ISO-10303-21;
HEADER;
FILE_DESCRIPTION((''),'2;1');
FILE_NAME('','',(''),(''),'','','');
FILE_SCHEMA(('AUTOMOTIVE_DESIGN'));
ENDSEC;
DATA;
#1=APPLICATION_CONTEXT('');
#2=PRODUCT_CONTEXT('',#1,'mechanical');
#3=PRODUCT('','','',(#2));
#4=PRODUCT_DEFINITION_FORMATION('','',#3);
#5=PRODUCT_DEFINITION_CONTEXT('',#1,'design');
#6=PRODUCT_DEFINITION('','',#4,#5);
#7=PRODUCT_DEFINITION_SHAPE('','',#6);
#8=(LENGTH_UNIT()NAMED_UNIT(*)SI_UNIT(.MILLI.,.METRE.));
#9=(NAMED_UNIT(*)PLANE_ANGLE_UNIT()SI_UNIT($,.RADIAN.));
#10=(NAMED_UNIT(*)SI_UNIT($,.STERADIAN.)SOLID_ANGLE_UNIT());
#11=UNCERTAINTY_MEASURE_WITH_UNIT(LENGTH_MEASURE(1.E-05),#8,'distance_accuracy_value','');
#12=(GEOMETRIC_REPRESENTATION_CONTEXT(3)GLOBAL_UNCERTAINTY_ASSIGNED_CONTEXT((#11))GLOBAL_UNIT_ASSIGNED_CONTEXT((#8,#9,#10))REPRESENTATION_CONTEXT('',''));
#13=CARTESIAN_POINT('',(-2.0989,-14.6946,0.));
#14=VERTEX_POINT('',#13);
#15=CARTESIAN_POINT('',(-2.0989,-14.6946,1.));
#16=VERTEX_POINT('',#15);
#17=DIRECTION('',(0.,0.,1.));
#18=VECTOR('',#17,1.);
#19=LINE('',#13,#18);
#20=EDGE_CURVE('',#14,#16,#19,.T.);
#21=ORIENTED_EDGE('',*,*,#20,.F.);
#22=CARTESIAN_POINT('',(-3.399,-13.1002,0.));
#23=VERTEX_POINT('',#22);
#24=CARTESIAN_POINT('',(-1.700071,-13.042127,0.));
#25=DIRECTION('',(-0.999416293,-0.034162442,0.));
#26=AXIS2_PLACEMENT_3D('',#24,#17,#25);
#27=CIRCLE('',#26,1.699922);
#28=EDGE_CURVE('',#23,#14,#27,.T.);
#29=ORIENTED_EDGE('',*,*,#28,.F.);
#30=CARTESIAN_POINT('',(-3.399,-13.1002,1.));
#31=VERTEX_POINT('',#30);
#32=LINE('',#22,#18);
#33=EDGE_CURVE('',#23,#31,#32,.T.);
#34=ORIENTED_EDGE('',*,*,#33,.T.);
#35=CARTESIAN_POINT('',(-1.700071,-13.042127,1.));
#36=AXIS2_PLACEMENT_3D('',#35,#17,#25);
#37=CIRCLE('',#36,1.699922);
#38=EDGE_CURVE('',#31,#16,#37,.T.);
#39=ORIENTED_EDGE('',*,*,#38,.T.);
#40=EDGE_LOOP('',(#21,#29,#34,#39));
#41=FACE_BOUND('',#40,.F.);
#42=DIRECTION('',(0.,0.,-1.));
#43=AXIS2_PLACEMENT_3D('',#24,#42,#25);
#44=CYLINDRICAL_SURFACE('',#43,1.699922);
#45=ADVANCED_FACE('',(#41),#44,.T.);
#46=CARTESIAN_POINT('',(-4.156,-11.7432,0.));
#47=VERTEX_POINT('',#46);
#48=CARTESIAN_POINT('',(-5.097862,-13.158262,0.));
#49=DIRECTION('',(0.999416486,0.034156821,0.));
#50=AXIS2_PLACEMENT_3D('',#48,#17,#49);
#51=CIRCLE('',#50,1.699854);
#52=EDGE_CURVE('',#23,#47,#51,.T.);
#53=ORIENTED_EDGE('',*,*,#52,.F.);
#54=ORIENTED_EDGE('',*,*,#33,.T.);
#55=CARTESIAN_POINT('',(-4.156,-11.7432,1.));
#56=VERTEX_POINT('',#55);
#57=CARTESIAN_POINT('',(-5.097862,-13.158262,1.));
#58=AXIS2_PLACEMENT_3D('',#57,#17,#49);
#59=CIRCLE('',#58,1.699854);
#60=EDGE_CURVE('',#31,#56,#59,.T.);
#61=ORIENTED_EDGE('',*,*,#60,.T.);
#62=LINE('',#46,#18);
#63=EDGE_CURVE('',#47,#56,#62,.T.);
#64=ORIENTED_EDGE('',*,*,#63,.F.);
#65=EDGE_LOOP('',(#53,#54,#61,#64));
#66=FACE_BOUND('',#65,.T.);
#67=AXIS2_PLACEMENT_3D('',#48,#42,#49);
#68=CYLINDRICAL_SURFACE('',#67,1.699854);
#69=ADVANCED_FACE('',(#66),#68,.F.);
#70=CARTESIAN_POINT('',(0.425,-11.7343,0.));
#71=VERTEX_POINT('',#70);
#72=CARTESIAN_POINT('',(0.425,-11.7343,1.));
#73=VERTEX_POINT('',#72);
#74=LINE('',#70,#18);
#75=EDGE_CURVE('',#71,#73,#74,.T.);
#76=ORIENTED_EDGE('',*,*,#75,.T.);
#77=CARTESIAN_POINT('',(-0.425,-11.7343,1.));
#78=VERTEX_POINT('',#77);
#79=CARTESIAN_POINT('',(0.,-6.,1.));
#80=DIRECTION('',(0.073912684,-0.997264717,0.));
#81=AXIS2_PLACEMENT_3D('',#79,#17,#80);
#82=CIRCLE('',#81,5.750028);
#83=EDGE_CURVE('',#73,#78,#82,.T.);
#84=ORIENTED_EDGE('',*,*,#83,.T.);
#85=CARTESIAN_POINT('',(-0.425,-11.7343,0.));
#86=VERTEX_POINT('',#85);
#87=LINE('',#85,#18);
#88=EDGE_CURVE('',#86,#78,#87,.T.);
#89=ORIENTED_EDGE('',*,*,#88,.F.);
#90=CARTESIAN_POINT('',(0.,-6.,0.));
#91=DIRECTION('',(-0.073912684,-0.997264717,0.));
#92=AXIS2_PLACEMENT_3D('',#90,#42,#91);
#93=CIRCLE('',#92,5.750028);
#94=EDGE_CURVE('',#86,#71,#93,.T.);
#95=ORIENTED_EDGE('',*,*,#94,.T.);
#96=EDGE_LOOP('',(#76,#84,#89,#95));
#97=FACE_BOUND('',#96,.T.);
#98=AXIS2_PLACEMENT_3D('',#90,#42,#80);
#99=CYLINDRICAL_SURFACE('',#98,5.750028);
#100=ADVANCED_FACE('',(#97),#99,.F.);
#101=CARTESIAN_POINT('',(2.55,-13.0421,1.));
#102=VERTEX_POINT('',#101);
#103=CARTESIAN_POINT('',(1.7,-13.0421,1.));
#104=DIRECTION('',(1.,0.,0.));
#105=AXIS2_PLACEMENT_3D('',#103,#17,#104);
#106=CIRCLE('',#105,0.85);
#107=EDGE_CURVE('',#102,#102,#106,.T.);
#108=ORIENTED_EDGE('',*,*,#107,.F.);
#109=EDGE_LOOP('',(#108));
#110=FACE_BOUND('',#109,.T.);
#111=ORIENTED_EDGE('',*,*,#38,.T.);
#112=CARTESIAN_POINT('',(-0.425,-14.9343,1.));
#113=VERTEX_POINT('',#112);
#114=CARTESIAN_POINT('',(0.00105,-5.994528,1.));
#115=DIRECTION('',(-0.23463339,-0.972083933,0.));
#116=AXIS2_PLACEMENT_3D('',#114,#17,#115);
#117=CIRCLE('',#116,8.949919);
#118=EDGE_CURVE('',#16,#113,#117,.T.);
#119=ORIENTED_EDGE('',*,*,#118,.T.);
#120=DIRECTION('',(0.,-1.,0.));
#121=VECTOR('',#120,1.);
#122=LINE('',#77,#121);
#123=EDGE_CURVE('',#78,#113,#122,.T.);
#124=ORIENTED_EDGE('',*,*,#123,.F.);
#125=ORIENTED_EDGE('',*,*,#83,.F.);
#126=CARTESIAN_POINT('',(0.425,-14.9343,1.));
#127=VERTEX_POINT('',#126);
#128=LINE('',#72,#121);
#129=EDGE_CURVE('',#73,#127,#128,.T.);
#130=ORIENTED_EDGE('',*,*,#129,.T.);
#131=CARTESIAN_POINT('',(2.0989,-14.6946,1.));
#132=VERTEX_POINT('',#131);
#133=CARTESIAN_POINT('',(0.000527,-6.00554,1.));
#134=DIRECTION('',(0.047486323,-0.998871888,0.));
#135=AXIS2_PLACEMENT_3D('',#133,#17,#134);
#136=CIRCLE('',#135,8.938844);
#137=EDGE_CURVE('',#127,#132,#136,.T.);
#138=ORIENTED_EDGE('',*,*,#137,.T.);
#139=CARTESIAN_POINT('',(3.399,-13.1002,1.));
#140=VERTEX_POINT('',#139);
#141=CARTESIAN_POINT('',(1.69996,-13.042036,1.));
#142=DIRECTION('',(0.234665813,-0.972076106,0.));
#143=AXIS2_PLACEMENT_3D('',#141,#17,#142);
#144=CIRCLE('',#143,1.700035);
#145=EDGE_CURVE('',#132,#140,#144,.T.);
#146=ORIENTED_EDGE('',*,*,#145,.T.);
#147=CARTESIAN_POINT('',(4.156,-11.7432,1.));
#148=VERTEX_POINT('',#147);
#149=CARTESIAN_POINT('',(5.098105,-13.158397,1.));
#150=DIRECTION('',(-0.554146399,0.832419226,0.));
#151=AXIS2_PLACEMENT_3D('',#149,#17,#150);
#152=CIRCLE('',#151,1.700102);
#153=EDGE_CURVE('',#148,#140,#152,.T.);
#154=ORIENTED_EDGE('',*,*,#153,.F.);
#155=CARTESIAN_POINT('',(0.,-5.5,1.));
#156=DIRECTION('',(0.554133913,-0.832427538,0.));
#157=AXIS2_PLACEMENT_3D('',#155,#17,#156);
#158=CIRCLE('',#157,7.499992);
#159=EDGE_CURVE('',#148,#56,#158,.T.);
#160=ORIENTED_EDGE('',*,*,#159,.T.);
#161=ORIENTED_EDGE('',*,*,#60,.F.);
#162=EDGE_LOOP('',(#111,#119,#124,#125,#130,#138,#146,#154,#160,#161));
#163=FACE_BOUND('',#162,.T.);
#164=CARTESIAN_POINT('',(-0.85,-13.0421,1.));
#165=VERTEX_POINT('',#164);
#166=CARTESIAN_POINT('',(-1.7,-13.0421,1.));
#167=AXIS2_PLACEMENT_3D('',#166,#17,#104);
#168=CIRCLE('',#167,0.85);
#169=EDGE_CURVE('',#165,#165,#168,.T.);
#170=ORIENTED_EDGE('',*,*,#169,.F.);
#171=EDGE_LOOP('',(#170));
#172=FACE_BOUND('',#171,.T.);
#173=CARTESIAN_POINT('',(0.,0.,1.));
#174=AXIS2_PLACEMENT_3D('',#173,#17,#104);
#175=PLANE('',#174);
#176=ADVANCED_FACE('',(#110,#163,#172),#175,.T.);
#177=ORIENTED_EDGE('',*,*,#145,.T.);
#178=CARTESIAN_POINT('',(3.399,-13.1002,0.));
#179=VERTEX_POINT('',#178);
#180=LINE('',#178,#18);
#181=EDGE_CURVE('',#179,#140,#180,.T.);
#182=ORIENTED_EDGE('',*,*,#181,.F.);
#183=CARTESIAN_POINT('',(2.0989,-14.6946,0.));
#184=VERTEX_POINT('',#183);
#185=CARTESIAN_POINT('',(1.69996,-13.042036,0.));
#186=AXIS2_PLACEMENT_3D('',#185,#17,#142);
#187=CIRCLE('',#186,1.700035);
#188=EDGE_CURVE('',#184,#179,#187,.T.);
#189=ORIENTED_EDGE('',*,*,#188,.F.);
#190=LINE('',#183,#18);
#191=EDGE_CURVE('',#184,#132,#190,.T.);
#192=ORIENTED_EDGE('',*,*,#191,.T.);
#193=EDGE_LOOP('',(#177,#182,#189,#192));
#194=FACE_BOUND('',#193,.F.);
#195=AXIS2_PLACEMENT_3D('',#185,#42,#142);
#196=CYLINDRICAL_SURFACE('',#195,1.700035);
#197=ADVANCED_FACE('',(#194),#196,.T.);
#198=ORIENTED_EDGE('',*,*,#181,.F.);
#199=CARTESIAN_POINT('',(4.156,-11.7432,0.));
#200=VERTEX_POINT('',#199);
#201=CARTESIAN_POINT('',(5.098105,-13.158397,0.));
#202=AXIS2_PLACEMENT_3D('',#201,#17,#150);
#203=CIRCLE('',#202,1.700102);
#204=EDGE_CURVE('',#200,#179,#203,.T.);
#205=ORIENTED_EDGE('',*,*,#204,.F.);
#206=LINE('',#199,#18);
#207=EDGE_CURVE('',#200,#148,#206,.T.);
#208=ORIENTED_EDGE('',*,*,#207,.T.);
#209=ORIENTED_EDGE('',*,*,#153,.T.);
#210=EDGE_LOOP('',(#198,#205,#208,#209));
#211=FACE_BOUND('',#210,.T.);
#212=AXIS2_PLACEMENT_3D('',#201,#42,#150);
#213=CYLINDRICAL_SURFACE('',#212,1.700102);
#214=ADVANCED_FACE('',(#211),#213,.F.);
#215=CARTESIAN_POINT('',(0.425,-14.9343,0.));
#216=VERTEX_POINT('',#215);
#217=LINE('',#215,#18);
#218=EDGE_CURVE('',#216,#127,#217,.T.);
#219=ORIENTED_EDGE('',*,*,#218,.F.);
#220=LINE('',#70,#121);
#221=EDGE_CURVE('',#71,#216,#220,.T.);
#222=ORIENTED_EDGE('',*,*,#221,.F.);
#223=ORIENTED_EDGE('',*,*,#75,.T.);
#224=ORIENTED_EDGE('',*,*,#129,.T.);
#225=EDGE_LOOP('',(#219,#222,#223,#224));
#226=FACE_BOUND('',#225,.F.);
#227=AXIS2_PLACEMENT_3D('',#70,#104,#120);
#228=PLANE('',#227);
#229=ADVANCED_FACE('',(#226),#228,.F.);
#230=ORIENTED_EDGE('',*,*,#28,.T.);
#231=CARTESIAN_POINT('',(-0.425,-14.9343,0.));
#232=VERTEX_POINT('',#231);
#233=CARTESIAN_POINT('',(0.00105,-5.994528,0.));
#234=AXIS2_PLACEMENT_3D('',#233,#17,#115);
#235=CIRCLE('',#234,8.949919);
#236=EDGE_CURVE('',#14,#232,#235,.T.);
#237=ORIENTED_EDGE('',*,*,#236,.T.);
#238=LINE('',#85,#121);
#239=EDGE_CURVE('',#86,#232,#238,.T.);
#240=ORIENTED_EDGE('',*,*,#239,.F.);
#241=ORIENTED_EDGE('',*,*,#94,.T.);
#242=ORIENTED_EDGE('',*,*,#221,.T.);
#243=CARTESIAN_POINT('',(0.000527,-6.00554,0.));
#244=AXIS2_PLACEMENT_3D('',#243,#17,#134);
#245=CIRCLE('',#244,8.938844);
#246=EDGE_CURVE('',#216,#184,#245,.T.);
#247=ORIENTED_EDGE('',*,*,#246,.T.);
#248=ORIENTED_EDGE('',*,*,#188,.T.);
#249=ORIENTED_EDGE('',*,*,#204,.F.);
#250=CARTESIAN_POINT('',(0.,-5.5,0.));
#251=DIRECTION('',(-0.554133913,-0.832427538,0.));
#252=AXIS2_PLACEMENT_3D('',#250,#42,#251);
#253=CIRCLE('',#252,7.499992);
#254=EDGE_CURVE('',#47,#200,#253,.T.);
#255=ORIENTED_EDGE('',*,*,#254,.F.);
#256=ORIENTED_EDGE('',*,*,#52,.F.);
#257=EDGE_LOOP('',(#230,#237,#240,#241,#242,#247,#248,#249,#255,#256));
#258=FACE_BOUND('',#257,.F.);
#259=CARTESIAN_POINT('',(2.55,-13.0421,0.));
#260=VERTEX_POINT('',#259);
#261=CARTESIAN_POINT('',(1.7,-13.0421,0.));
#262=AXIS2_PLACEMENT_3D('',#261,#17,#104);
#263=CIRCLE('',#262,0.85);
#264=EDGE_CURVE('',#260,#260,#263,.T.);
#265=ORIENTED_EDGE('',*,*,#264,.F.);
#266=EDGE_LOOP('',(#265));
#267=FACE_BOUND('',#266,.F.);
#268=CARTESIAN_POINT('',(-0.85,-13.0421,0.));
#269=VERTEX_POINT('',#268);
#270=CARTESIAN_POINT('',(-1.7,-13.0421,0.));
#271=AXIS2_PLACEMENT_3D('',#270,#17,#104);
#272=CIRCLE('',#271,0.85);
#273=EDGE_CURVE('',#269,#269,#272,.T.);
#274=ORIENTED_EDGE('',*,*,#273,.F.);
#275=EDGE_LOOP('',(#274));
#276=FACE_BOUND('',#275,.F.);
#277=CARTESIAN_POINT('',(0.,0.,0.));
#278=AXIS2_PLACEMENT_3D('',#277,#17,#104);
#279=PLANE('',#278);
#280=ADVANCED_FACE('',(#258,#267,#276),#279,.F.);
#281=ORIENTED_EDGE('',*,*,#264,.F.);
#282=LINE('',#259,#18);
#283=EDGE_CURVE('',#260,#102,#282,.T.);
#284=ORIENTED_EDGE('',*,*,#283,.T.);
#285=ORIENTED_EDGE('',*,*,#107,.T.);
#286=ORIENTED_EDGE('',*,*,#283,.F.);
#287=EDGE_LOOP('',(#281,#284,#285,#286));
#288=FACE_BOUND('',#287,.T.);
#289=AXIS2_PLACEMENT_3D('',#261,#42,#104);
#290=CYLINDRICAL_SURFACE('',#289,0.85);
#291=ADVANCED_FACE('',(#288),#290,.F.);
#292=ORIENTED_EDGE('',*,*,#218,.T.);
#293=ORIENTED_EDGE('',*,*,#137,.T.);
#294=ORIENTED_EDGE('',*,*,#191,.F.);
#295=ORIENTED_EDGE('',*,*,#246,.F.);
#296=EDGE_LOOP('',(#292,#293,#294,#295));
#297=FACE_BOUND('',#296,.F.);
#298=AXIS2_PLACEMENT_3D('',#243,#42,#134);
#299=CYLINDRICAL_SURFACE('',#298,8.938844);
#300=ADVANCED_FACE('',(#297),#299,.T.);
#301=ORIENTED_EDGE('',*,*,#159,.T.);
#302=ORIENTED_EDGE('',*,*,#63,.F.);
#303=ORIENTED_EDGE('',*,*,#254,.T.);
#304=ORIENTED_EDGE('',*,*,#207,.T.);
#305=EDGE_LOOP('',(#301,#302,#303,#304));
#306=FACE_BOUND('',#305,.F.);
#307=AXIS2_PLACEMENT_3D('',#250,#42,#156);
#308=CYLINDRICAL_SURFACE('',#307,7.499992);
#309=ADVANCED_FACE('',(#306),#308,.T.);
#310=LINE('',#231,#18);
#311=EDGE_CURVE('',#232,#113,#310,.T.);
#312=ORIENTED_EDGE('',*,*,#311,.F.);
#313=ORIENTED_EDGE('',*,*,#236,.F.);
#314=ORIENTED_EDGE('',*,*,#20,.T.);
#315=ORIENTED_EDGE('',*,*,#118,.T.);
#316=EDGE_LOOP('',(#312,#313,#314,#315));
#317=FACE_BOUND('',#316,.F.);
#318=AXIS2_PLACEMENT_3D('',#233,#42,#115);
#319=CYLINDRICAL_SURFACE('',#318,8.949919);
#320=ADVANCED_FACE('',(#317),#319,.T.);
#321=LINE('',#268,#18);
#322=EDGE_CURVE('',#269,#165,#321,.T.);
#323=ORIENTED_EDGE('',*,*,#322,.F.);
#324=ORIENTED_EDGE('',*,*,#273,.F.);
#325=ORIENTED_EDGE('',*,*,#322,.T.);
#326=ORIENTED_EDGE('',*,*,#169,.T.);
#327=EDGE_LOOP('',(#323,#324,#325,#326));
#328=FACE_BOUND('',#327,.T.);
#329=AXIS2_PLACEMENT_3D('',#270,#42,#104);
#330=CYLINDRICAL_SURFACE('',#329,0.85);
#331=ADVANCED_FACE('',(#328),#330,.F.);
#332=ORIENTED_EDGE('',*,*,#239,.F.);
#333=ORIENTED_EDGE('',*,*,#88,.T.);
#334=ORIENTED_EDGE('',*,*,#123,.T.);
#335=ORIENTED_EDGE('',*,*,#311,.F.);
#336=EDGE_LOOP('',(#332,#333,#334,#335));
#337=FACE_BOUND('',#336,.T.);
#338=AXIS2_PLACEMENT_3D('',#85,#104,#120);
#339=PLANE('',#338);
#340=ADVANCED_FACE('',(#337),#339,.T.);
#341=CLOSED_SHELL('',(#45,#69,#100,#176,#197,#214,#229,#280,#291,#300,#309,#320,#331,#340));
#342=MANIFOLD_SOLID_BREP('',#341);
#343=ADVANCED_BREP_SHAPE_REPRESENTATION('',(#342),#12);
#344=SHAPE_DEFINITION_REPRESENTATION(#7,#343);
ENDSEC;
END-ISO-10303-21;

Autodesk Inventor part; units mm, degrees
ref_plane "YZ Plane" through (0, 0, 0) normal (1, 0, 0) x (0, 1, 0)
ref_plane "XZ Plane" through (0, 0, 0) normal (0, 1, 0) x (-1, 0, 0)
sketch "Náčrt1" plane through (0, 0, 0) normal (0, 0, 1) x (1, 0, 0)
  line L0 (-6, 0) -> (6, 0) construction
  arc A0 (0.425, -11.7343) -> (-0.425, -11.7343) centre (0, -6) ccw
  line L1 (0, 20.1894) -> (0, -80.5364) projected
  line L2 (-48.09, 0) -> (48.09, 0) projected
  line L3 (-0.425, -11.7343) -> (-0.425, -14.9343)
  line L4 (-0.425, -6.5402) -> (-0.425, -13.29) construction
  line L5 (-2.7947, 2) -> (3.6722, 2) construction
  arc A1 (4.156, -11.7432) -> (-4.156, -11.7432) centre (0, -5.5) ccw
  arc A2 (-2.0989, -14.6946) -> (-0.425, -14.9343) centre (0, -6) ccw
  arc A3 (-3.399, -13.1002) -> (-2.0989, -14.6946) centre (-1.7, -13.0421) ccw
  arc A4 (-3.399, -13.1002) -> (-4.156, -11.7432) centre (-5.098, -13.1583) ccw
  line L6 (0.425, -11.7343) -> (0.425, -14.9343)
  line L7 (0.425, -6.5402) -> (0.425, -13.29) construction
  arc A5 (0.425, -14.9343) -> (2.0989, -14.6946) centre (0, -6) ccw
  arc A6 (2.0989, -14.6946) -> (3.399, -13.1002) centre (1.7, -13.0421) ccw
  arc A7 (4.156, -11.7432) -> (3.399, -13.1002) centre (5.098, -13.1583) ccw
  circle A8 centre (-1.7, -13.0421) radius 0.85
  circle A9 centre (1.7, -13.0421) radius 0.85
  dimension "d0" = 11.5
  dimension "d1" = 3.2
  dimension "d6" = 0.425
  dimension "d7" = 2
  dimension "d8" = 0.5
  dimension "d9" = 1.7
  dimension "d10" = 1.7
  dimension "d11" = 1.275
  dimension "d12" = 1.7
  dimension "d13" = 1.7
  dimension "d14" = 6
extrude "Těleso" add sketch "Náčrt1" along normal blind 1
ref_plane "Work Plane1" through (0, -6, 0) normal (1, 0, 0) x (0, 0, 1)
equation "\"d0\" = ND"
equation "\"d1\" = SRB2"
equation "\"d6\" = 0.25 * SD5"
equation "\"d7\" = SRB1"
equation "\"d8\" = 0.25 * SRB1"
equation "\"d9\" = SD5"
equation "\"d10\" = SD5"
equation "\"d11\" = 0.75 * SD5"
equation "\"d12\" = SD5"
equation "\"d13\" = SD5"
equation "\"d14\" = 0.5 * WD"
equation "\"d2\" = SD"
equation "\"WD\" = WDMIN"
equation "\"SD\" = 1"
equation "\"SRB1\" = 2"
equation "\"ND\" = 11.5"
equation "\"SRB2\" = 3.2"
equation "\"SD5\" = 1.7"
equation "\"WDMIN\" = 12"
equation "\"SD3\" = 11"
equation "\"WDMAX\" = 13"
properties part number "CSN 02 2930 - 12" material "Nerezová ocel"
